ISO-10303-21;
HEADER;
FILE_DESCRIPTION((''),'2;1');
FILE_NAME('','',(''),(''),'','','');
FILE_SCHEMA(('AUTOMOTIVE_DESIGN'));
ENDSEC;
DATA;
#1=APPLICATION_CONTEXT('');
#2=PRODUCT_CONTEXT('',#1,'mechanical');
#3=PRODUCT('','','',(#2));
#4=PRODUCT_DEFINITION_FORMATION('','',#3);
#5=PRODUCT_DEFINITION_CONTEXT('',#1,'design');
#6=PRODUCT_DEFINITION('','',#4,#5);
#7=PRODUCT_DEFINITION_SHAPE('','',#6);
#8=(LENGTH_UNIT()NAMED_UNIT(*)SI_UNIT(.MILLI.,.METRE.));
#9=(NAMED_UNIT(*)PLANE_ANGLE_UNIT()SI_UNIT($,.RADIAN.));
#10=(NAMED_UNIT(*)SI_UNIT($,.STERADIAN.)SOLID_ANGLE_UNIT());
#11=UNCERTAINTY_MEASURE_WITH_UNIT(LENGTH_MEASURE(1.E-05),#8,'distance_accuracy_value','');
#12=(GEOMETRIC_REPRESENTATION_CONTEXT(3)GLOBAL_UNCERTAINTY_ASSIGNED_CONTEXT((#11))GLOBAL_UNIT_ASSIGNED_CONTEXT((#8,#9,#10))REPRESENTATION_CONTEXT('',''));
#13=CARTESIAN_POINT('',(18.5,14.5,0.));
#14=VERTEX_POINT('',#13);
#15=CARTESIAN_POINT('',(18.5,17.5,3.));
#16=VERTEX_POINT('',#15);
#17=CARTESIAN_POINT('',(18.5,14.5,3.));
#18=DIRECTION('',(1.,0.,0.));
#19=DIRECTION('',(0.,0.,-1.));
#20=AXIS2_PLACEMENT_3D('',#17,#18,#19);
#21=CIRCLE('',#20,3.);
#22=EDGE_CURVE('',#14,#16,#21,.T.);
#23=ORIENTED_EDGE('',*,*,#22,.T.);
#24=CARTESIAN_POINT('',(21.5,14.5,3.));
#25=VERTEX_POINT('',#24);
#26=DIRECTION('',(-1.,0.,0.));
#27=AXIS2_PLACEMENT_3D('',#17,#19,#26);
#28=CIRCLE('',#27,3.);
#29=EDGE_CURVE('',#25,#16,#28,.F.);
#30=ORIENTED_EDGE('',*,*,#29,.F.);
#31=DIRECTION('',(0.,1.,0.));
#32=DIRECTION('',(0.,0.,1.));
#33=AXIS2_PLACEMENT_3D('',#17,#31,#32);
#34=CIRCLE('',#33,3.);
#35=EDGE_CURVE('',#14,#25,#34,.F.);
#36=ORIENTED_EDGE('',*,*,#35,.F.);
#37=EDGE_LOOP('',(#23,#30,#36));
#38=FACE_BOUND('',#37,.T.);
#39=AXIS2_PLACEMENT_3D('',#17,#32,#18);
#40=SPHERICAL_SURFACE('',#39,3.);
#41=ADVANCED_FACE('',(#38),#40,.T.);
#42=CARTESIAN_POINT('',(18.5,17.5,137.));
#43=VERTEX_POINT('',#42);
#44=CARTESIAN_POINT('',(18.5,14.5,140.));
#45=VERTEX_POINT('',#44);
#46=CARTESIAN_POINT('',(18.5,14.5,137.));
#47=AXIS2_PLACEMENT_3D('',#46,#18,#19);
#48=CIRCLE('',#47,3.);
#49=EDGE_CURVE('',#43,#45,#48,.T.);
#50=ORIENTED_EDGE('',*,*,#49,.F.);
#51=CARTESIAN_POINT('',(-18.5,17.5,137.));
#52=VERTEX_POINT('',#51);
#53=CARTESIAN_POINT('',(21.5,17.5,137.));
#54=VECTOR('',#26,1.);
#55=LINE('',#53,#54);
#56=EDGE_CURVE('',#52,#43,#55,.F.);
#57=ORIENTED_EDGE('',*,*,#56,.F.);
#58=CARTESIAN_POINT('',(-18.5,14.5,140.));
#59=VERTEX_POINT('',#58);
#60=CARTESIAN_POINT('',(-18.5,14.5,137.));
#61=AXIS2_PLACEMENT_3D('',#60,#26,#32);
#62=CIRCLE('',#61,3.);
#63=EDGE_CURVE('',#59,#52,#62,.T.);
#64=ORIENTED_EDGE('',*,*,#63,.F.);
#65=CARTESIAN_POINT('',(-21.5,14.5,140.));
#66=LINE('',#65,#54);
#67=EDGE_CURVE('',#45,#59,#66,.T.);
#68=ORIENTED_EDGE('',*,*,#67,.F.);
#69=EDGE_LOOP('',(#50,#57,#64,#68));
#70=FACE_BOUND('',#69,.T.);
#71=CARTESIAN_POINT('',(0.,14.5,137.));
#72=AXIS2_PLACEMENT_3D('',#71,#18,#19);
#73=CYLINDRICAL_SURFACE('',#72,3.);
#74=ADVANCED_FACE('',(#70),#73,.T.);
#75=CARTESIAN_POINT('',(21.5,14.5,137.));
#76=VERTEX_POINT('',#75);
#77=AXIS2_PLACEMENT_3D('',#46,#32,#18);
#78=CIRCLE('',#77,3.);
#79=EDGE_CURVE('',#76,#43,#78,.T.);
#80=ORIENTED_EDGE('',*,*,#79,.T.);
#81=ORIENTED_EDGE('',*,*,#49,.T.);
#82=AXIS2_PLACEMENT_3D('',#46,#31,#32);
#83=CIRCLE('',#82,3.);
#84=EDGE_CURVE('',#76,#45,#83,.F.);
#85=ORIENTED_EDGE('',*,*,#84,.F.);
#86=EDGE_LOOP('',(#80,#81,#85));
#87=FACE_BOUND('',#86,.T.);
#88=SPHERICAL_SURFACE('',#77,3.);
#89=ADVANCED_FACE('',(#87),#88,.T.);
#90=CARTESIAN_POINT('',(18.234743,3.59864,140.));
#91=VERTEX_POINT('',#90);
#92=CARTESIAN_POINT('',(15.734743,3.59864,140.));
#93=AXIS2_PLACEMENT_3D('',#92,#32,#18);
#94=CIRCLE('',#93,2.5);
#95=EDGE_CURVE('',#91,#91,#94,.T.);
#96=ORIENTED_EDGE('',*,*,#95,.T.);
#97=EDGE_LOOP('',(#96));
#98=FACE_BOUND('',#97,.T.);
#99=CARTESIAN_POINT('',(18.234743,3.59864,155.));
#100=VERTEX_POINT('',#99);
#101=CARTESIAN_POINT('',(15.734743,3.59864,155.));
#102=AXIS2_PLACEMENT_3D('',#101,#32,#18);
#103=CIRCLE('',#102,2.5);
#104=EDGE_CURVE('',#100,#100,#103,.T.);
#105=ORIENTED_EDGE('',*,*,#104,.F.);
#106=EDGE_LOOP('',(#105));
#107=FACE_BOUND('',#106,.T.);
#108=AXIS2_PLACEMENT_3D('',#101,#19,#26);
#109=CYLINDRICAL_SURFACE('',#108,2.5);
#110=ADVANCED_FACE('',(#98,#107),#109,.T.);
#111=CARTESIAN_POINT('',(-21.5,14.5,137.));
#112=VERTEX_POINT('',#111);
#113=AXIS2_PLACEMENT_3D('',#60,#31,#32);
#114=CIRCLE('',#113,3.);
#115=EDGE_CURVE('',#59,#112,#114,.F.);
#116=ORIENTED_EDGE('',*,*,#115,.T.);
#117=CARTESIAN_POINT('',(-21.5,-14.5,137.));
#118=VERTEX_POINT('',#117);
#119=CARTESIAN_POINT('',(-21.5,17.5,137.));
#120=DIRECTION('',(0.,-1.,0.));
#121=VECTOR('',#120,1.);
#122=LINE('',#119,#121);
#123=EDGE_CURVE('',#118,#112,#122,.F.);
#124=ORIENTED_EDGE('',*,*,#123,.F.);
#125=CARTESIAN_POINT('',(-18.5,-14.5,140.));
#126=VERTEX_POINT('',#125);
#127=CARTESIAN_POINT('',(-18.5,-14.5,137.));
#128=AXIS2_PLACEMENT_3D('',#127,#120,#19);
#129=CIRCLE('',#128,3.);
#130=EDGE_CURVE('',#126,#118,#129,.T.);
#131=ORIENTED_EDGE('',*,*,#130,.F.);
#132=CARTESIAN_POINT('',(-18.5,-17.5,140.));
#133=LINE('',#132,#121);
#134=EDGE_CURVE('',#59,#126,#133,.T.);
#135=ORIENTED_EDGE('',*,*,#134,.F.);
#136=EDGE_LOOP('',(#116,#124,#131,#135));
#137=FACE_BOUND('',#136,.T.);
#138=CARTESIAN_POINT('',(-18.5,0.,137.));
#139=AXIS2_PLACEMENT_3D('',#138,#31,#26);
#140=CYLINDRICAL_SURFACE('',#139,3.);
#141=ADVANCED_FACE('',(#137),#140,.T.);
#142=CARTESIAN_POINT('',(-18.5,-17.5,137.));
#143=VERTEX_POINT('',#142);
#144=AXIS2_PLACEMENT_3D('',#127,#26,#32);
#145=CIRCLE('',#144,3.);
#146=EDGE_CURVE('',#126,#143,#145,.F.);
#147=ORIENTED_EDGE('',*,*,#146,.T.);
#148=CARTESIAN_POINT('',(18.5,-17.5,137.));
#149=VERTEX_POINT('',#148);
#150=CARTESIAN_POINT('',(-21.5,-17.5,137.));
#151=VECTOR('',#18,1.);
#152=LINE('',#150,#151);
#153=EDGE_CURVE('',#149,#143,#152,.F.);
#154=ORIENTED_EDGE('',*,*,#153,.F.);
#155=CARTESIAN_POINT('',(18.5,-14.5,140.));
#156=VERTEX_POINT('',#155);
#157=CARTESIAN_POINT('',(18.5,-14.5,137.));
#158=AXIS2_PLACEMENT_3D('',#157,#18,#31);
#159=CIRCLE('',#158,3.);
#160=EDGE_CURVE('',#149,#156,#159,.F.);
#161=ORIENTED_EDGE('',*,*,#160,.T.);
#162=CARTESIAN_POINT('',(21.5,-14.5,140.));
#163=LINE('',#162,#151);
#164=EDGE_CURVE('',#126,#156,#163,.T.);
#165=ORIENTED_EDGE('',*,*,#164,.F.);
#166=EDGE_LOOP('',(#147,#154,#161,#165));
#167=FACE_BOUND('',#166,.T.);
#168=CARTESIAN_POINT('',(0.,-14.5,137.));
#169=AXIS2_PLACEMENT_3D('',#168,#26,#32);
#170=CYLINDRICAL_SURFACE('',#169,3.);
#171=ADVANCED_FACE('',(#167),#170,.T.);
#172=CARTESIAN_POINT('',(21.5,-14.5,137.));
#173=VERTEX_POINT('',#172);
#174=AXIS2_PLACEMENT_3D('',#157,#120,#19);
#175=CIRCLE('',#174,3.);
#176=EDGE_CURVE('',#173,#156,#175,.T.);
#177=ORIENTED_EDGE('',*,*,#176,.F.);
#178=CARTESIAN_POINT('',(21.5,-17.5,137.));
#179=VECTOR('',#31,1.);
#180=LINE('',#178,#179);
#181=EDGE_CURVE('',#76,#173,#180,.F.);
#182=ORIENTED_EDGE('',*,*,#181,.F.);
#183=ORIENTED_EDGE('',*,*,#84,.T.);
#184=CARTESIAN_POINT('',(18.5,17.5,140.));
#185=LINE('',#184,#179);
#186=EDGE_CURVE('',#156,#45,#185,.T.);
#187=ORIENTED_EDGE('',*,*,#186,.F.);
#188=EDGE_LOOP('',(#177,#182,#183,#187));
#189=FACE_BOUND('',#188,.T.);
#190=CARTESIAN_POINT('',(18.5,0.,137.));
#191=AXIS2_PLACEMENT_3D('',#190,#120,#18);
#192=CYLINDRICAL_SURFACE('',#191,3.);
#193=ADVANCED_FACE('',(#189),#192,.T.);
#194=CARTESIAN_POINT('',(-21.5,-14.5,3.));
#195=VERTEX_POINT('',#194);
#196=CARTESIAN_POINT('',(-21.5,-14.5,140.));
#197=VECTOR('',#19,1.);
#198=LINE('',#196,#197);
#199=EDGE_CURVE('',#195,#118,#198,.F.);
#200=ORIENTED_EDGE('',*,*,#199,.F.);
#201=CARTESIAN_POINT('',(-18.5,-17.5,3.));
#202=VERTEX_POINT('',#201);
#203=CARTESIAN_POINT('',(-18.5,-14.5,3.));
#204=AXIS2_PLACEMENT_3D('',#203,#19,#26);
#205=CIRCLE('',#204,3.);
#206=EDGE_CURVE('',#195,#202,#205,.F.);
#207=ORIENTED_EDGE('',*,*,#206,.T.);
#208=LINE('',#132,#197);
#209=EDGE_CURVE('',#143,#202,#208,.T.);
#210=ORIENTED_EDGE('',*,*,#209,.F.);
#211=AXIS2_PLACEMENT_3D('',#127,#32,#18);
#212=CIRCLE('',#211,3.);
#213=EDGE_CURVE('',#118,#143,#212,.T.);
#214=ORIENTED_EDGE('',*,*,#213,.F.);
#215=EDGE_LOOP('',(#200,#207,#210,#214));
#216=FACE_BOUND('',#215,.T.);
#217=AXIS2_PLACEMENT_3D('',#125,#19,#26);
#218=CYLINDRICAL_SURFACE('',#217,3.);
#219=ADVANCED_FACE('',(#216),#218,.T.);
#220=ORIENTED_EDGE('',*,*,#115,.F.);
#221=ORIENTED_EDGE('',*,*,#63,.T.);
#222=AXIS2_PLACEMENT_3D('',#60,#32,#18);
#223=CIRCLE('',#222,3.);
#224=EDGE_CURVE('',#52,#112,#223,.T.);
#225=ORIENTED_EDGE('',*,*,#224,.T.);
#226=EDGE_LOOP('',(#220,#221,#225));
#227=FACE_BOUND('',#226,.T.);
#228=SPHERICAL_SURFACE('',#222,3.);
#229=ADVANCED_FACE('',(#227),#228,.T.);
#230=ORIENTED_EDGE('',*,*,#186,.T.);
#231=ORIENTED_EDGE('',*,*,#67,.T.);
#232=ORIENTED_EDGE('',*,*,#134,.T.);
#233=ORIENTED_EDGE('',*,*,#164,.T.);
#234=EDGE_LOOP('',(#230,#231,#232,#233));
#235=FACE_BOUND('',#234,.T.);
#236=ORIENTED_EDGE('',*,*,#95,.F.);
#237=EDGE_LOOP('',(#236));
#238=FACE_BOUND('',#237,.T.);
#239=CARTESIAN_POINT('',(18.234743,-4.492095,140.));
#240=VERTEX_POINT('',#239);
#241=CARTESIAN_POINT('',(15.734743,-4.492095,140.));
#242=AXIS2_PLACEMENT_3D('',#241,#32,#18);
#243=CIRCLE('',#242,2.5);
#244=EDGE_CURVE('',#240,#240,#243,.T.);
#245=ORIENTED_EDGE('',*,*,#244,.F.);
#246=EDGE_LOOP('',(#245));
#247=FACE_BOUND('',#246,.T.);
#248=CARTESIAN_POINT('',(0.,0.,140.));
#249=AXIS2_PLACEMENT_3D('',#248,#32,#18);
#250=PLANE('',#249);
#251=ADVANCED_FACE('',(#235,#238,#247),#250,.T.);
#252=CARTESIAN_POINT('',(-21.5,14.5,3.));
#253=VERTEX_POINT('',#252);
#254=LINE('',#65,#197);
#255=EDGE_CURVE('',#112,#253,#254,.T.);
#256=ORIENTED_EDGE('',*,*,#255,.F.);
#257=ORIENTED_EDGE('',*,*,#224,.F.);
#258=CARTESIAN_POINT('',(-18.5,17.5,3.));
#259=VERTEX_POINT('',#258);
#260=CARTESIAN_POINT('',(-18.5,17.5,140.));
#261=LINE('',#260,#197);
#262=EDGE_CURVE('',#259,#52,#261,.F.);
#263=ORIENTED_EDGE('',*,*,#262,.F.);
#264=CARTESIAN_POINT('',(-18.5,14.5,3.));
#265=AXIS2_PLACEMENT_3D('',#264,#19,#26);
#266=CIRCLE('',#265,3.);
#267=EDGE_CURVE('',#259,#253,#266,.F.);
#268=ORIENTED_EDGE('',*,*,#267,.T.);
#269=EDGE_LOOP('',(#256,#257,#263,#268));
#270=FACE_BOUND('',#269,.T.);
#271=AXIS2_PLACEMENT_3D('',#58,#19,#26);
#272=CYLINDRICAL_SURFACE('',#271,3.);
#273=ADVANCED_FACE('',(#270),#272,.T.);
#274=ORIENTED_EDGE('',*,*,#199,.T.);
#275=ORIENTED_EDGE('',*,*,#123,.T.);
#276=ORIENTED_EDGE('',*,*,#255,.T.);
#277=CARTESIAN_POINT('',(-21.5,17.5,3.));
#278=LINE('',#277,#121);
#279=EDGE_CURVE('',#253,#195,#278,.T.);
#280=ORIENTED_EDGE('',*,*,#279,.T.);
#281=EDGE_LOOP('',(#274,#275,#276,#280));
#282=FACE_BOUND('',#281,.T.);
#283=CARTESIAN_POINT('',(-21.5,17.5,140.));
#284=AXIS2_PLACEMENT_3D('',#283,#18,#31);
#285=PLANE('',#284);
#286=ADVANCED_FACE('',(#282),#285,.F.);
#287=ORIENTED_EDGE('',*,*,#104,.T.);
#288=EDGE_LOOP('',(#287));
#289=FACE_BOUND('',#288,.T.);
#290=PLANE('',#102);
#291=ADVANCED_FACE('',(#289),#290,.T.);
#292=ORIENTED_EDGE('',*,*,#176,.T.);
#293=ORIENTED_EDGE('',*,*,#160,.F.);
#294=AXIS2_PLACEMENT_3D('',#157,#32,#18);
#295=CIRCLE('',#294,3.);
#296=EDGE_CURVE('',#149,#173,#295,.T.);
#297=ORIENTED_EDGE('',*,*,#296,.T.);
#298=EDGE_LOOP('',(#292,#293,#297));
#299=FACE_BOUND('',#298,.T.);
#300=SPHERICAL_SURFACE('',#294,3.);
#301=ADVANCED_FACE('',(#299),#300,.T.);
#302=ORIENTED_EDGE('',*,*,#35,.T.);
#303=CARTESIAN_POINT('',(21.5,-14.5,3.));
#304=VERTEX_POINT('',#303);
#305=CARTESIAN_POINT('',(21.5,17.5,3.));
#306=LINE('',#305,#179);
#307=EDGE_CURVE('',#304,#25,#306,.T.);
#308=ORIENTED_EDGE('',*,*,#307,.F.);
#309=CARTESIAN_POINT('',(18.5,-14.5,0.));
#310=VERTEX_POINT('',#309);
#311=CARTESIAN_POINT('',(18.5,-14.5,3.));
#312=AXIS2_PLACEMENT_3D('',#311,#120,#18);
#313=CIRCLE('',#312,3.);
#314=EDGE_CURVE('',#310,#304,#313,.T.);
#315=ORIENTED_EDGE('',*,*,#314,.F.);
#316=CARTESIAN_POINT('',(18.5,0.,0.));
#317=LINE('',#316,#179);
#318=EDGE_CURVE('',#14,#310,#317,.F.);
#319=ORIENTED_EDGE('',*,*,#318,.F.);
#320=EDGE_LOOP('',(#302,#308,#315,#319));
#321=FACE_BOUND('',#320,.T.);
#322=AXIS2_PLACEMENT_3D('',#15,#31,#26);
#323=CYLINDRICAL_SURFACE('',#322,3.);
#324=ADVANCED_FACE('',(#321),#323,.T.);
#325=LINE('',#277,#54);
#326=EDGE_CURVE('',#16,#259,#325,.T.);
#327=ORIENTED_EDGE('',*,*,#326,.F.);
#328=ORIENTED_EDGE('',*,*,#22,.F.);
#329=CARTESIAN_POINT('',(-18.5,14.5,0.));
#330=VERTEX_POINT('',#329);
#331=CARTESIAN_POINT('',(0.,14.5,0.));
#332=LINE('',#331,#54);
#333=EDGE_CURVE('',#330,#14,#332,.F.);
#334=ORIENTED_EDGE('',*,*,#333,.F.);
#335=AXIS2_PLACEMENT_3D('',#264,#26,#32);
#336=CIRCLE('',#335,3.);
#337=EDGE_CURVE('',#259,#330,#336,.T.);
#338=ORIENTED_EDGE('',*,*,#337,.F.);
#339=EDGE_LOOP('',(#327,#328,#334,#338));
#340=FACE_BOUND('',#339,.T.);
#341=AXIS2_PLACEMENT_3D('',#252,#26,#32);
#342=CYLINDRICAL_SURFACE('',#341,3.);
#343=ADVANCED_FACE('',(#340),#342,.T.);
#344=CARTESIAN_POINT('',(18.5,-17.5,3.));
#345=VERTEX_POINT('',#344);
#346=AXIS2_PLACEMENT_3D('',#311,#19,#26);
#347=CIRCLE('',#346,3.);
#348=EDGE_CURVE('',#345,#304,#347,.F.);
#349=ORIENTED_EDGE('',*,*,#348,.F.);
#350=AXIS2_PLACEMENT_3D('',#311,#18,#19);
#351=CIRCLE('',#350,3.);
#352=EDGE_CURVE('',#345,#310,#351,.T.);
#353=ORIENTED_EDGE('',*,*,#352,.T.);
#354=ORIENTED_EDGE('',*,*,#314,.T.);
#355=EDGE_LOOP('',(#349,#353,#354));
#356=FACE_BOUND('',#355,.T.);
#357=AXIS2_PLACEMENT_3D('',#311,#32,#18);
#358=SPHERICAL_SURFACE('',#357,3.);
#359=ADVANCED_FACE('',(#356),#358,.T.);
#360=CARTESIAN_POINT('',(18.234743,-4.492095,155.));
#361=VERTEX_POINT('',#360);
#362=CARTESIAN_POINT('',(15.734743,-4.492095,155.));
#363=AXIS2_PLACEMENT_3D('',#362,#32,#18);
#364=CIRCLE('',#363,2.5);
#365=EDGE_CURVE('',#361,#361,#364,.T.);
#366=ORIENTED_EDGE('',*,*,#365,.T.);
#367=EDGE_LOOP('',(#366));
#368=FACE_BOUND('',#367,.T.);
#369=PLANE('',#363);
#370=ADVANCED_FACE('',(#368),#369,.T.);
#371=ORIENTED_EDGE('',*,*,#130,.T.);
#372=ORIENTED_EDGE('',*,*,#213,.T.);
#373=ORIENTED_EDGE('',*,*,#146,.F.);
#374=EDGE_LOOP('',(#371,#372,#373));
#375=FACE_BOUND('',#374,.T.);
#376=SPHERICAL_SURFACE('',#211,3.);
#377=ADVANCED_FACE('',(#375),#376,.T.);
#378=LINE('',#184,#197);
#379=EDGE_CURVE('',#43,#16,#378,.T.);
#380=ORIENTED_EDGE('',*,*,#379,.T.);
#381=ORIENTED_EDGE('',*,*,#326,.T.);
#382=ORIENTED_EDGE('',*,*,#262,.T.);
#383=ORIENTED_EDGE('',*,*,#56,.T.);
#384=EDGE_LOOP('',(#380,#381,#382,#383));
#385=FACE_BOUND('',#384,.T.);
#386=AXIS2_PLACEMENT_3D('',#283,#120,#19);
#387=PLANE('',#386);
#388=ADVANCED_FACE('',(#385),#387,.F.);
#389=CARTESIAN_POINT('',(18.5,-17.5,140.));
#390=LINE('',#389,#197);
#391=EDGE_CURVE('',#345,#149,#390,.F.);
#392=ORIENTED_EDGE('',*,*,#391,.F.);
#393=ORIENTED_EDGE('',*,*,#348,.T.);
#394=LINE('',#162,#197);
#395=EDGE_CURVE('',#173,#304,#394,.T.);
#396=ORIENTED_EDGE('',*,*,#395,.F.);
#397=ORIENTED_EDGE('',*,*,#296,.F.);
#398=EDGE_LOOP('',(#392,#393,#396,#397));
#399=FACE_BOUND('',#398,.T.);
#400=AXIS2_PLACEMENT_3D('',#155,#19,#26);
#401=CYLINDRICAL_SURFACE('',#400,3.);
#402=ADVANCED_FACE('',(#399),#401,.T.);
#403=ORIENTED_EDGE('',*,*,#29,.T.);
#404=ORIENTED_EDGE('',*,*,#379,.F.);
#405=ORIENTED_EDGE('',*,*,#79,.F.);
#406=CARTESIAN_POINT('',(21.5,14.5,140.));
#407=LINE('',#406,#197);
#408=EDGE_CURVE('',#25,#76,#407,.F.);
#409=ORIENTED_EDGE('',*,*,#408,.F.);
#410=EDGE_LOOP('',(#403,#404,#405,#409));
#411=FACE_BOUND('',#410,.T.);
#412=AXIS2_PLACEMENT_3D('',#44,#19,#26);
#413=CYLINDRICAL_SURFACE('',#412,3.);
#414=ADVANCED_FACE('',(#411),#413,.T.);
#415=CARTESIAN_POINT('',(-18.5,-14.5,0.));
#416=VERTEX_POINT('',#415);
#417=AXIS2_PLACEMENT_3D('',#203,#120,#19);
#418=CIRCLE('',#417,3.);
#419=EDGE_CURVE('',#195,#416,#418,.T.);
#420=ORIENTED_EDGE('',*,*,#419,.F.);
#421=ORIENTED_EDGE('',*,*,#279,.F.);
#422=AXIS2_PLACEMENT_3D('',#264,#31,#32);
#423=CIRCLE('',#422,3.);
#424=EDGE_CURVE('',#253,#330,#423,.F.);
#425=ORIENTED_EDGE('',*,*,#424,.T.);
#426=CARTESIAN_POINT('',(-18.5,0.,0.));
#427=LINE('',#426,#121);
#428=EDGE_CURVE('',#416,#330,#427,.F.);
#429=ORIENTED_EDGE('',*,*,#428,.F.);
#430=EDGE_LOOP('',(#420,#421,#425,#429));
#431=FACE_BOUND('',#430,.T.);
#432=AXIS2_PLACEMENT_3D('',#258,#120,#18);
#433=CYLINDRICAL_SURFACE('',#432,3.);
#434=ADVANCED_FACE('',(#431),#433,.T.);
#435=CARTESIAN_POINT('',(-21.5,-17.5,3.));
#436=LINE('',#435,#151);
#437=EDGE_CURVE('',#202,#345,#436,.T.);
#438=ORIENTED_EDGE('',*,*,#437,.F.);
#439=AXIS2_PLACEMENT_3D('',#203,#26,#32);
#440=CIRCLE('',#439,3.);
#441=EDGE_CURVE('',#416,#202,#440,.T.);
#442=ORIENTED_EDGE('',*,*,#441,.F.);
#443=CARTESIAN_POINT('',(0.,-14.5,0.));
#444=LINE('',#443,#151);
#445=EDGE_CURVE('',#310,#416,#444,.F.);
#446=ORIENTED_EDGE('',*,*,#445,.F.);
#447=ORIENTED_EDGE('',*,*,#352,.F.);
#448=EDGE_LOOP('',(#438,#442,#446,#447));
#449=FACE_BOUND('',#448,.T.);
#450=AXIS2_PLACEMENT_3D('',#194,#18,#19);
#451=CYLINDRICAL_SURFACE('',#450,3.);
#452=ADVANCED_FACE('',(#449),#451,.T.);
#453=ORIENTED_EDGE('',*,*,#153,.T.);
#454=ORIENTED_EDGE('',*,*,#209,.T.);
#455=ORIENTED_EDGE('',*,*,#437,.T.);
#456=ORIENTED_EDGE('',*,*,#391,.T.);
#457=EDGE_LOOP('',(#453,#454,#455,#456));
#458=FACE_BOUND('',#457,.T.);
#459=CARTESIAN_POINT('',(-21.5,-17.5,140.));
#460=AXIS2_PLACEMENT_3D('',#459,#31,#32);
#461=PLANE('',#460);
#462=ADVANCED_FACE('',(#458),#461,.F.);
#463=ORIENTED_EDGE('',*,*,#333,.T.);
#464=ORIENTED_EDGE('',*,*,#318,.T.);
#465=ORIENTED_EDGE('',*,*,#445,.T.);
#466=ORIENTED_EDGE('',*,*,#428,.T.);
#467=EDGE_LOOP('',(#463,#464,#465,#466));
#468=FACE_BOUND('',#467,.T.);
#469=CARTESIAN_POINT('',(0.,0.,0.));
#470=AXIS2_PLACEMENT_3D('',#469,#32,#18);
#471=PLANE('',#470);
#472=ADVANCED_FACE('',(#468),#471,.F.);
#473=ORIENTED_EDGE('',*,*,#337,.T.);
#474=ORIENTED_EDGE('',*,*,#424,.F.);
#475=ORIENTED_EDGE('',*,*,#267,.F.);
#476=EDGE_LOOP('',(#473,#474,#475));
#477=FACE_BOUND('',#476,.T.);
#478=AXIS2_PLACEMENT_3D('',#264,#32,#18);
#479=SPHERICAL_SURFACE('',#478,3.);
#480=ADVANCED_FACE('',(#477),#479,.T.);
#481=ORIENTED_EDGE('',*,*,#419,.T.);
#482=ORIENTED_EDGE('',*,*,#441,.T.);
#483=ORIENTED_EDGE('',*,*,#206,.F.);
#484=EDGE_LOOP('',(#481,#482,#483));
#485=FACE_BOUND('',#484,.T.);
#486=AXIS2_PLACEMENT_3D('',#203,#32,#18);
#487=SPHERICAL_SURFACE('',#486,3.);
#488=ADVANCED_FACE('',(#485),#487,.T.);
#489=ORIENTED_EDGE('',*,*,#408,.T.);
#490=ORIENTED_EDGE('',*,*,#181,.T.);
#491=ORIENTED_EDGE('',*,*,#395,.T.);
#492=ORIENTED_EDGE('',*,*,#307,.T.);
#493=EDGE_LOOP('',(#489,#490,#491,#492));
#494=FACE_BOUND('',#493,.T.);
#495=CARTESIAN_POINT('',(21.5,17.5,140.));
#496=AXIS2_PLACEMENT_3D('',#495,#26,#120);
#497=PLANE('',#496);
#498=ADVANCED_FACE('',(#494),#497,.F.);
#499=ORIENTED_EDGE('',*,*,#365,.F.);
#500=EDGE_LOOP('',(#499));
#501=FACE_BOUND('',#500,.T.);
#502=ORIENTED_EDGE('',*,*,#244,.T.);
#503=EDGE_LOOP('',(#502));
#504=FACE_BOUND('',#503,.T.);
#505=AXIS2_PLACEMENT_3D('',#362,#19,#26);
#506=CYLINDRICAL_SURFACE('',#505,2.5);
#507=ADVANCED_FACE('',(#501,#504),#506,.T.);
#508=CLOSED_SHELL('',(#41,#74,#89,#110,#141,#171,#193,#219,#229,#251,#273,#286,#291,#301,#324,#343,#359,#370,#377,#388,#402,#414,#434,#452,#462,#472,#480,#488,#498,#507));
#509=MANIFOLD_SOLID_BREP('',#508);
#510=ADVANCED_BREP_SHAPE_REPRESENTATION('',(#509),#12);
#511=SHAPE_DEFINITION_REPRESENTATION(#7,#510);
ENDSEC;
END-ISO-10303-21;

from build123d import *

# Parameters (mm, degrees)
SKETCH_1_W      = 43
SKETCH_1_H      = 35
EXTRUDE_1_DEPTH = 140
SKETCH_2_R      = 2.5
EXTRUDE_2_DEPTH = 15
FILLET_1_R      = 3


with BuildPart() as part:
    # Эскиз1 → Бобышка-Вытянуть1 (new body)
    with BuildSketch(Plane.XY):
        Rectangle(SKETCH_1_W, SKETCH_1_H)
    extrude(amount=EXTRUDE_1_DEPTH)

    # Эскиз2 → Бобышка-Вытянуть2 (add)
    with BuildSketch(Plane.XY.offset(140)):
        with Locations((15.734743007, 3.598639962)):
            Circle(SKETCH_2_R)
        with Locations((15.734743007, -4.492095401)):
            Circle(SKETCH_2_R)
    extrude(amount=EXTRUDE_2_DEPTH)

    # Скругление1
    fillet_1_edges = [part.edges().sort_by_distance(p)[0] for p in [
        (-21.5, 0, 140),
        (0, -17.5, 140),
        (21.5, 0, 140),
        (0, -17.5, 0),
        (-21.5, 0, 0),
        (0, 17.5, 0),
        (21.5, 0, 0),
        (0, 17.5, 140),
        (21.5, -17.5, 70),
        (-21.5, -17.5, 70),
        (-21.5, 17.5, 70),
        (21.5, 17.5, 70),
    ]]
    fillet(fillet_1_edges, radius=FILLET_1_R)


solid = part.part
